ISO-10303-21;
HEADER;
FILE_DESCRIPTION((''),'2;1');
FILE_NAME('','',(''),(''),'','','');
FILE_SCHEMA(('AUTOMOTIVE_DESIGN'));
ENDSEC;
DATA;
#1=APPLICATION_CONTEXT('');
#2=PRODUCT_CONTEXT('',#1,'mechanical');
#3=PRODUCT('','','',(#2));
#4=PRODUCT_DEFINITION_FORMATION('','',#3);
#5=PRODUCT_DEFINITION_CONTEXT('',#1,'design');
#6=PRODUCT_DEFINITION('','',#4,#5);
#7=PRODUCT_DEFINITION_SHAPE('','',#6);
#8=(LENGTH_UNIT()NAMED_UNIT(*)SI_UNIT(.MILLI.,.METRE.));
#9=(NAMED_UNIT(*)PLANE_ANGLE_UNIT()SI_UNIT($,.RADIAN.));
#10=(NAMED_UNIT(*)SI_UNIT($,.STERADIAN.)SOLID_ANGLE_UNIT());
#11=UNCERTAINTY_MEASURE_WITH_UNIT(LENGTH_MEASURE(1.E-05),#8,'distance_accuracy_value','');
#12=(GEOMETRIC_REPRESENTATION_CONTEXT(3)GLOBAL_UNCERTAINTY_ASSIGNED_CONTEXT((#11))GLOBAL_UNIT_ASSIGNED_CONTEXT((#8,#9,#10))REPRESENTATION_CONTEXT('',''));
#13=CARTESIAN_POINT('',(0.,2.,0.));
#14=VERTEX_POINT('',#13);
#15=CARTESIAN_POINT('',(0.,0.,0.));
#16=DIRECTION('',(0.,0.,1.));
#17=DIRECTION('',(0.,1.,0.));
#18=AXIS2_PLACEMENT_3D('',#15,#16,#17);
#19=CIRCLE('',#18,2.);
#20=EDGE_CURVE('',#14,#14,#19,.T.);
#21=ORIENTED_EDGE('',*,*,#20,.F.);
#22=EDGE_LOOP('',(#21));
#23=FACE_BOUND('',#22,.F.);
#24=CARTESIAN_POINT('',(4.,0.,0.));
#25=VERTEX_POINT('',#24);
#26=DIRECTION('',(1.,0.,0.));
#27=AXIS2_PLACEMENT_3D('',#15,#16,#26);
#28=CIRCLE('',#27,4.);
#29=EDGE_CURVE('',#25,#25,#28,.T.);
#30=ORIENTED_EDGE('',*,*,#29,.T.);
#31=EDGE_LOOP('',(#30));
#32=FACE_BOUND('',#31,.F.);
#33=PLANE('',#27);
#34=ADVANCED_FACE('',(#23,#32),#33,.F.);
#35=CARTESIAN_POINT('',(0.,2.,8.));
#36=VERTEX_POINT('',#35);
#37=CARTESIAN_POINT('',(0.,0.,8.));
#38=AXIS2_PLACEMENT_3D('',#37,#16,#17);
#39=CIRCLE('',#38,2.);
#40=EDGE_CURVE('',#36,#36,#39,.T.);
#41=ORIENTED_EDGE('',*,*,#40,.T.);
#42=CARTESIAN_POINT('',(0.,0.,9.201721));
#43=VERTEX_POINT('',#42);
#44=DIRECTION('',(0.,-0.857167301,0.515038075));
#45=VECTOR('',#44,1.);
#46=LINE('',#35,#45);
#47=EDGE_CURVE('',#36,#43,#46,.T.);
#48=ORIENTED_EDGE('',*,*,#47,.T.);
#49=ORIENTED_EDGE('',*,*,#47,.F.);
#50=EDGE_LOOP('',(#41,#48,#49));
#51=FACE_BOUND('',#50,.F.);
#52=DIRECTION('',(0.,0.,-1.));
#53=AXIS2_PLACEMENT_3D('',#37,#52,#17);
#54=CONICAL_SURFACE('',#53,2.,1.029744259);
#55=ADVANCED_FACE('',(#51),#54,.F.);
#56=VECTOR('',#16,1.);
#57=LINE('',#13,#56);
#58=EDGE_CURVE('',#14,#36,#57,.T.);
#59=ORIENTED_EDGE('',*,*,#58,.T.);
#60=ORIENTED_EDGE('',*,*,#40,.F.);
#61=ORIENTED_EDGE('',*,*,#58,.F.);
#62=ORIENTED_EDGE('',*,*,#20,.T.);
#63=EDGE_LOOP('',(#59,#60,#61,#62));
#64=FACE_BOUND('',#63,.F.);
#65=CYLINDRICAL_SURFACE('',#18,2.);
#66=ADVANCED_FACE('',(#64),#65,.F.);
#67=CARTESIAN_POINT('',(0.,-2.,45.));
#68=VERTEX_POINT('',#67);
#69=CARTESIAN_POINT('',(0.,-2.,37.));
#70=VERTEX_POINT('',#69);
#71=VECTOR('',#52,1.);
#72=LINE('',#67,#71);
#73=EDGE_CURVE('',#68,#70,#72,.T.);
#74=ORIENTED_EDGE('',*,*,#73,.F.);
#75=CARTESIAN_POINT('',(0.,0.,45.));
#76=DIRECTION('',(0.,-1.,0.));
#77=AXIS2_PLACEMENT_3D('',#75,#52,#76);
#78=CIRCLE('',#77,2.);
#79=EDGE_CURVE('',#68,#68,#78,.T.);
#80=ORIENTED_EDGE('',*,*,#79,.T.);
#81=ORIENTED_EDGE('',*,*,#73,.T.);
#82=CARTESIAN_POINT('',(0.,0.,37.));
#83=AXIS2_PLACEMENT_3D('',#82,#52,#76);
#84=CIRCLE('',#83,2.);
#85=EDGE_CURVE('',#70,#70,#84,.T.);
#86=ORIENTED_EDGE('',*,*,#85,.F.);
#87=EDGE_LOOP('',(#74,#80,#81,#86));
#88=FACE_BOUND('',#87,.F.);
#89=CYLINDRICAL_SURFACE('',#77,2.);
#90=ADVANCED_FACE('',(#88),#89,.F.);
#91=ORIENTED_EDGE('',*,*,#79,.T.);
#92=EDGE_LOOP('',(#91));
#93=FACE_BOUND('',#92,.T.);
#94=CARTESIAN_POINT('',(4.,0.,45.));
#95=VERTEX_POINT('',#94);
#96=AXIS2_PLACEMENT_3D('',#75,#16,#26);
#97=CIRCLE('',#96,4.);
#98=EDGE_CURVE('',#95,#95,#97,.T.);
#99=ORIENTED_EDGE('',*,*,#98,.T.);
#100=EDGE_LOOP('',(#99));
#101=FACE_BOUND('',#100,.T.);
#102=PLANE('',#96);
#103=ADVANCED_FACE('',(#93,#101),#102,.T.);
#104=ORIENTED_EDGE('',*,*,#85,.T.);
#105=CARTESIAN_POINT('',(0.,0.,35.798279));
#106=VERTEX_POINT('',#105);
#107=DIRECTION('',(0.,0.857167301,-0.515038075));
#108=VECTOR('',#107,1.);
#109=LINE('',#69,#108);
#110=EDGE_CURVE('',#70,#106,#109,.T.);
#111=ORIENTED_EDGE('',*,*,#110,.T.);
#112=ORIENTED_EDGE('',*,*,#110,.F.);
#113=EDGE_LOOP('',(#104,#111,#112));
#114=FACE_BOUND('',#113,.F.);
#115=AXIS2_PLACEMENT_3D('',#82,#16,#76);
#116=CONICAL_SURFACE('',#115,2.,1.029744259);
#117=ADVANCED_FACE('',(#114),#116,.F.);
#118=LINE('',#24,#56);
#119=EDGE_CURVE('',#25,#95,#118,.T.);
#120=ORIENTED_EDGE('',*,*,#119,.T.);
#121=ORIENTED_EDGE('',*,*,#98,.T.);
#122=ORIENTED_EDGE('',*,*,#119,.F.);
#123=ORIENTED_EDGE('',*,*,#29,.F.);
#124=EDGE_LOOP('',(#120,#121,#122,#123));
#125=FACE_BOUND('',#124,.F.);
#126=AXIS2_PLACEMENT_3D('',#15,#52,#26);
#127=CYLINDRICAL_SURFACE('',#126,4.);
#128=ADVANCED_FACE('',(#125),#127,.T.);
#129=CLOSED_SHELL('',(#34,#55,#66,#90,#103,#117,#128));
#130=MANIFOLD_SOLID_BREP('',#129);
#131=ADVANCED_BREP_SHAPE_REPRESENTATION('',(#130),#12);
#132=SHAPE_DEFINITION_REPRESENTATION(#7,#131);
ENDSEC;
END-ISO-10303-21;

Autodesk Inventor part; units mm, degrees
ref_plane "YZ Plane" through (0, 0, 0) normal (1, 0, 0) x (0, 1, 0)
ref_plane "XZ Plane" through (0, 0, 0) normal (0, 1, 0) x (-1, 0, 0)
ref_plane "XY Plane" through (0, 0, 0) normal (0, 0, 1) x (1, 0, 0)
sketch "スケッチ1" plane through (0, 0, 0) normal (0, 0, 1) x (1, 0, 0)
  circle A0 centre (0, 0) radius 4
  dimension "d0" = 8
extrude "押し出し1" add sketch "スケッチ1" along normal blind 45
hole "穴1" at (0, 0, 0) direction (0, 0, 1) diameter 4 depth 8 tip angle 118
sketch "スケッチ2" plane through (0, 0, 45) normal (0, 0, 1) x (1, 0, 0)
  point P0 (0, 0)
  point P1 (0, 0)
hole "穴2" at (0, 0, 45) direction (0, 0, -1) diameter 4 depth 8 tip angle 118
properties part number "スペーサ　m4-l45" material "アルミニウム 2014-T4"
